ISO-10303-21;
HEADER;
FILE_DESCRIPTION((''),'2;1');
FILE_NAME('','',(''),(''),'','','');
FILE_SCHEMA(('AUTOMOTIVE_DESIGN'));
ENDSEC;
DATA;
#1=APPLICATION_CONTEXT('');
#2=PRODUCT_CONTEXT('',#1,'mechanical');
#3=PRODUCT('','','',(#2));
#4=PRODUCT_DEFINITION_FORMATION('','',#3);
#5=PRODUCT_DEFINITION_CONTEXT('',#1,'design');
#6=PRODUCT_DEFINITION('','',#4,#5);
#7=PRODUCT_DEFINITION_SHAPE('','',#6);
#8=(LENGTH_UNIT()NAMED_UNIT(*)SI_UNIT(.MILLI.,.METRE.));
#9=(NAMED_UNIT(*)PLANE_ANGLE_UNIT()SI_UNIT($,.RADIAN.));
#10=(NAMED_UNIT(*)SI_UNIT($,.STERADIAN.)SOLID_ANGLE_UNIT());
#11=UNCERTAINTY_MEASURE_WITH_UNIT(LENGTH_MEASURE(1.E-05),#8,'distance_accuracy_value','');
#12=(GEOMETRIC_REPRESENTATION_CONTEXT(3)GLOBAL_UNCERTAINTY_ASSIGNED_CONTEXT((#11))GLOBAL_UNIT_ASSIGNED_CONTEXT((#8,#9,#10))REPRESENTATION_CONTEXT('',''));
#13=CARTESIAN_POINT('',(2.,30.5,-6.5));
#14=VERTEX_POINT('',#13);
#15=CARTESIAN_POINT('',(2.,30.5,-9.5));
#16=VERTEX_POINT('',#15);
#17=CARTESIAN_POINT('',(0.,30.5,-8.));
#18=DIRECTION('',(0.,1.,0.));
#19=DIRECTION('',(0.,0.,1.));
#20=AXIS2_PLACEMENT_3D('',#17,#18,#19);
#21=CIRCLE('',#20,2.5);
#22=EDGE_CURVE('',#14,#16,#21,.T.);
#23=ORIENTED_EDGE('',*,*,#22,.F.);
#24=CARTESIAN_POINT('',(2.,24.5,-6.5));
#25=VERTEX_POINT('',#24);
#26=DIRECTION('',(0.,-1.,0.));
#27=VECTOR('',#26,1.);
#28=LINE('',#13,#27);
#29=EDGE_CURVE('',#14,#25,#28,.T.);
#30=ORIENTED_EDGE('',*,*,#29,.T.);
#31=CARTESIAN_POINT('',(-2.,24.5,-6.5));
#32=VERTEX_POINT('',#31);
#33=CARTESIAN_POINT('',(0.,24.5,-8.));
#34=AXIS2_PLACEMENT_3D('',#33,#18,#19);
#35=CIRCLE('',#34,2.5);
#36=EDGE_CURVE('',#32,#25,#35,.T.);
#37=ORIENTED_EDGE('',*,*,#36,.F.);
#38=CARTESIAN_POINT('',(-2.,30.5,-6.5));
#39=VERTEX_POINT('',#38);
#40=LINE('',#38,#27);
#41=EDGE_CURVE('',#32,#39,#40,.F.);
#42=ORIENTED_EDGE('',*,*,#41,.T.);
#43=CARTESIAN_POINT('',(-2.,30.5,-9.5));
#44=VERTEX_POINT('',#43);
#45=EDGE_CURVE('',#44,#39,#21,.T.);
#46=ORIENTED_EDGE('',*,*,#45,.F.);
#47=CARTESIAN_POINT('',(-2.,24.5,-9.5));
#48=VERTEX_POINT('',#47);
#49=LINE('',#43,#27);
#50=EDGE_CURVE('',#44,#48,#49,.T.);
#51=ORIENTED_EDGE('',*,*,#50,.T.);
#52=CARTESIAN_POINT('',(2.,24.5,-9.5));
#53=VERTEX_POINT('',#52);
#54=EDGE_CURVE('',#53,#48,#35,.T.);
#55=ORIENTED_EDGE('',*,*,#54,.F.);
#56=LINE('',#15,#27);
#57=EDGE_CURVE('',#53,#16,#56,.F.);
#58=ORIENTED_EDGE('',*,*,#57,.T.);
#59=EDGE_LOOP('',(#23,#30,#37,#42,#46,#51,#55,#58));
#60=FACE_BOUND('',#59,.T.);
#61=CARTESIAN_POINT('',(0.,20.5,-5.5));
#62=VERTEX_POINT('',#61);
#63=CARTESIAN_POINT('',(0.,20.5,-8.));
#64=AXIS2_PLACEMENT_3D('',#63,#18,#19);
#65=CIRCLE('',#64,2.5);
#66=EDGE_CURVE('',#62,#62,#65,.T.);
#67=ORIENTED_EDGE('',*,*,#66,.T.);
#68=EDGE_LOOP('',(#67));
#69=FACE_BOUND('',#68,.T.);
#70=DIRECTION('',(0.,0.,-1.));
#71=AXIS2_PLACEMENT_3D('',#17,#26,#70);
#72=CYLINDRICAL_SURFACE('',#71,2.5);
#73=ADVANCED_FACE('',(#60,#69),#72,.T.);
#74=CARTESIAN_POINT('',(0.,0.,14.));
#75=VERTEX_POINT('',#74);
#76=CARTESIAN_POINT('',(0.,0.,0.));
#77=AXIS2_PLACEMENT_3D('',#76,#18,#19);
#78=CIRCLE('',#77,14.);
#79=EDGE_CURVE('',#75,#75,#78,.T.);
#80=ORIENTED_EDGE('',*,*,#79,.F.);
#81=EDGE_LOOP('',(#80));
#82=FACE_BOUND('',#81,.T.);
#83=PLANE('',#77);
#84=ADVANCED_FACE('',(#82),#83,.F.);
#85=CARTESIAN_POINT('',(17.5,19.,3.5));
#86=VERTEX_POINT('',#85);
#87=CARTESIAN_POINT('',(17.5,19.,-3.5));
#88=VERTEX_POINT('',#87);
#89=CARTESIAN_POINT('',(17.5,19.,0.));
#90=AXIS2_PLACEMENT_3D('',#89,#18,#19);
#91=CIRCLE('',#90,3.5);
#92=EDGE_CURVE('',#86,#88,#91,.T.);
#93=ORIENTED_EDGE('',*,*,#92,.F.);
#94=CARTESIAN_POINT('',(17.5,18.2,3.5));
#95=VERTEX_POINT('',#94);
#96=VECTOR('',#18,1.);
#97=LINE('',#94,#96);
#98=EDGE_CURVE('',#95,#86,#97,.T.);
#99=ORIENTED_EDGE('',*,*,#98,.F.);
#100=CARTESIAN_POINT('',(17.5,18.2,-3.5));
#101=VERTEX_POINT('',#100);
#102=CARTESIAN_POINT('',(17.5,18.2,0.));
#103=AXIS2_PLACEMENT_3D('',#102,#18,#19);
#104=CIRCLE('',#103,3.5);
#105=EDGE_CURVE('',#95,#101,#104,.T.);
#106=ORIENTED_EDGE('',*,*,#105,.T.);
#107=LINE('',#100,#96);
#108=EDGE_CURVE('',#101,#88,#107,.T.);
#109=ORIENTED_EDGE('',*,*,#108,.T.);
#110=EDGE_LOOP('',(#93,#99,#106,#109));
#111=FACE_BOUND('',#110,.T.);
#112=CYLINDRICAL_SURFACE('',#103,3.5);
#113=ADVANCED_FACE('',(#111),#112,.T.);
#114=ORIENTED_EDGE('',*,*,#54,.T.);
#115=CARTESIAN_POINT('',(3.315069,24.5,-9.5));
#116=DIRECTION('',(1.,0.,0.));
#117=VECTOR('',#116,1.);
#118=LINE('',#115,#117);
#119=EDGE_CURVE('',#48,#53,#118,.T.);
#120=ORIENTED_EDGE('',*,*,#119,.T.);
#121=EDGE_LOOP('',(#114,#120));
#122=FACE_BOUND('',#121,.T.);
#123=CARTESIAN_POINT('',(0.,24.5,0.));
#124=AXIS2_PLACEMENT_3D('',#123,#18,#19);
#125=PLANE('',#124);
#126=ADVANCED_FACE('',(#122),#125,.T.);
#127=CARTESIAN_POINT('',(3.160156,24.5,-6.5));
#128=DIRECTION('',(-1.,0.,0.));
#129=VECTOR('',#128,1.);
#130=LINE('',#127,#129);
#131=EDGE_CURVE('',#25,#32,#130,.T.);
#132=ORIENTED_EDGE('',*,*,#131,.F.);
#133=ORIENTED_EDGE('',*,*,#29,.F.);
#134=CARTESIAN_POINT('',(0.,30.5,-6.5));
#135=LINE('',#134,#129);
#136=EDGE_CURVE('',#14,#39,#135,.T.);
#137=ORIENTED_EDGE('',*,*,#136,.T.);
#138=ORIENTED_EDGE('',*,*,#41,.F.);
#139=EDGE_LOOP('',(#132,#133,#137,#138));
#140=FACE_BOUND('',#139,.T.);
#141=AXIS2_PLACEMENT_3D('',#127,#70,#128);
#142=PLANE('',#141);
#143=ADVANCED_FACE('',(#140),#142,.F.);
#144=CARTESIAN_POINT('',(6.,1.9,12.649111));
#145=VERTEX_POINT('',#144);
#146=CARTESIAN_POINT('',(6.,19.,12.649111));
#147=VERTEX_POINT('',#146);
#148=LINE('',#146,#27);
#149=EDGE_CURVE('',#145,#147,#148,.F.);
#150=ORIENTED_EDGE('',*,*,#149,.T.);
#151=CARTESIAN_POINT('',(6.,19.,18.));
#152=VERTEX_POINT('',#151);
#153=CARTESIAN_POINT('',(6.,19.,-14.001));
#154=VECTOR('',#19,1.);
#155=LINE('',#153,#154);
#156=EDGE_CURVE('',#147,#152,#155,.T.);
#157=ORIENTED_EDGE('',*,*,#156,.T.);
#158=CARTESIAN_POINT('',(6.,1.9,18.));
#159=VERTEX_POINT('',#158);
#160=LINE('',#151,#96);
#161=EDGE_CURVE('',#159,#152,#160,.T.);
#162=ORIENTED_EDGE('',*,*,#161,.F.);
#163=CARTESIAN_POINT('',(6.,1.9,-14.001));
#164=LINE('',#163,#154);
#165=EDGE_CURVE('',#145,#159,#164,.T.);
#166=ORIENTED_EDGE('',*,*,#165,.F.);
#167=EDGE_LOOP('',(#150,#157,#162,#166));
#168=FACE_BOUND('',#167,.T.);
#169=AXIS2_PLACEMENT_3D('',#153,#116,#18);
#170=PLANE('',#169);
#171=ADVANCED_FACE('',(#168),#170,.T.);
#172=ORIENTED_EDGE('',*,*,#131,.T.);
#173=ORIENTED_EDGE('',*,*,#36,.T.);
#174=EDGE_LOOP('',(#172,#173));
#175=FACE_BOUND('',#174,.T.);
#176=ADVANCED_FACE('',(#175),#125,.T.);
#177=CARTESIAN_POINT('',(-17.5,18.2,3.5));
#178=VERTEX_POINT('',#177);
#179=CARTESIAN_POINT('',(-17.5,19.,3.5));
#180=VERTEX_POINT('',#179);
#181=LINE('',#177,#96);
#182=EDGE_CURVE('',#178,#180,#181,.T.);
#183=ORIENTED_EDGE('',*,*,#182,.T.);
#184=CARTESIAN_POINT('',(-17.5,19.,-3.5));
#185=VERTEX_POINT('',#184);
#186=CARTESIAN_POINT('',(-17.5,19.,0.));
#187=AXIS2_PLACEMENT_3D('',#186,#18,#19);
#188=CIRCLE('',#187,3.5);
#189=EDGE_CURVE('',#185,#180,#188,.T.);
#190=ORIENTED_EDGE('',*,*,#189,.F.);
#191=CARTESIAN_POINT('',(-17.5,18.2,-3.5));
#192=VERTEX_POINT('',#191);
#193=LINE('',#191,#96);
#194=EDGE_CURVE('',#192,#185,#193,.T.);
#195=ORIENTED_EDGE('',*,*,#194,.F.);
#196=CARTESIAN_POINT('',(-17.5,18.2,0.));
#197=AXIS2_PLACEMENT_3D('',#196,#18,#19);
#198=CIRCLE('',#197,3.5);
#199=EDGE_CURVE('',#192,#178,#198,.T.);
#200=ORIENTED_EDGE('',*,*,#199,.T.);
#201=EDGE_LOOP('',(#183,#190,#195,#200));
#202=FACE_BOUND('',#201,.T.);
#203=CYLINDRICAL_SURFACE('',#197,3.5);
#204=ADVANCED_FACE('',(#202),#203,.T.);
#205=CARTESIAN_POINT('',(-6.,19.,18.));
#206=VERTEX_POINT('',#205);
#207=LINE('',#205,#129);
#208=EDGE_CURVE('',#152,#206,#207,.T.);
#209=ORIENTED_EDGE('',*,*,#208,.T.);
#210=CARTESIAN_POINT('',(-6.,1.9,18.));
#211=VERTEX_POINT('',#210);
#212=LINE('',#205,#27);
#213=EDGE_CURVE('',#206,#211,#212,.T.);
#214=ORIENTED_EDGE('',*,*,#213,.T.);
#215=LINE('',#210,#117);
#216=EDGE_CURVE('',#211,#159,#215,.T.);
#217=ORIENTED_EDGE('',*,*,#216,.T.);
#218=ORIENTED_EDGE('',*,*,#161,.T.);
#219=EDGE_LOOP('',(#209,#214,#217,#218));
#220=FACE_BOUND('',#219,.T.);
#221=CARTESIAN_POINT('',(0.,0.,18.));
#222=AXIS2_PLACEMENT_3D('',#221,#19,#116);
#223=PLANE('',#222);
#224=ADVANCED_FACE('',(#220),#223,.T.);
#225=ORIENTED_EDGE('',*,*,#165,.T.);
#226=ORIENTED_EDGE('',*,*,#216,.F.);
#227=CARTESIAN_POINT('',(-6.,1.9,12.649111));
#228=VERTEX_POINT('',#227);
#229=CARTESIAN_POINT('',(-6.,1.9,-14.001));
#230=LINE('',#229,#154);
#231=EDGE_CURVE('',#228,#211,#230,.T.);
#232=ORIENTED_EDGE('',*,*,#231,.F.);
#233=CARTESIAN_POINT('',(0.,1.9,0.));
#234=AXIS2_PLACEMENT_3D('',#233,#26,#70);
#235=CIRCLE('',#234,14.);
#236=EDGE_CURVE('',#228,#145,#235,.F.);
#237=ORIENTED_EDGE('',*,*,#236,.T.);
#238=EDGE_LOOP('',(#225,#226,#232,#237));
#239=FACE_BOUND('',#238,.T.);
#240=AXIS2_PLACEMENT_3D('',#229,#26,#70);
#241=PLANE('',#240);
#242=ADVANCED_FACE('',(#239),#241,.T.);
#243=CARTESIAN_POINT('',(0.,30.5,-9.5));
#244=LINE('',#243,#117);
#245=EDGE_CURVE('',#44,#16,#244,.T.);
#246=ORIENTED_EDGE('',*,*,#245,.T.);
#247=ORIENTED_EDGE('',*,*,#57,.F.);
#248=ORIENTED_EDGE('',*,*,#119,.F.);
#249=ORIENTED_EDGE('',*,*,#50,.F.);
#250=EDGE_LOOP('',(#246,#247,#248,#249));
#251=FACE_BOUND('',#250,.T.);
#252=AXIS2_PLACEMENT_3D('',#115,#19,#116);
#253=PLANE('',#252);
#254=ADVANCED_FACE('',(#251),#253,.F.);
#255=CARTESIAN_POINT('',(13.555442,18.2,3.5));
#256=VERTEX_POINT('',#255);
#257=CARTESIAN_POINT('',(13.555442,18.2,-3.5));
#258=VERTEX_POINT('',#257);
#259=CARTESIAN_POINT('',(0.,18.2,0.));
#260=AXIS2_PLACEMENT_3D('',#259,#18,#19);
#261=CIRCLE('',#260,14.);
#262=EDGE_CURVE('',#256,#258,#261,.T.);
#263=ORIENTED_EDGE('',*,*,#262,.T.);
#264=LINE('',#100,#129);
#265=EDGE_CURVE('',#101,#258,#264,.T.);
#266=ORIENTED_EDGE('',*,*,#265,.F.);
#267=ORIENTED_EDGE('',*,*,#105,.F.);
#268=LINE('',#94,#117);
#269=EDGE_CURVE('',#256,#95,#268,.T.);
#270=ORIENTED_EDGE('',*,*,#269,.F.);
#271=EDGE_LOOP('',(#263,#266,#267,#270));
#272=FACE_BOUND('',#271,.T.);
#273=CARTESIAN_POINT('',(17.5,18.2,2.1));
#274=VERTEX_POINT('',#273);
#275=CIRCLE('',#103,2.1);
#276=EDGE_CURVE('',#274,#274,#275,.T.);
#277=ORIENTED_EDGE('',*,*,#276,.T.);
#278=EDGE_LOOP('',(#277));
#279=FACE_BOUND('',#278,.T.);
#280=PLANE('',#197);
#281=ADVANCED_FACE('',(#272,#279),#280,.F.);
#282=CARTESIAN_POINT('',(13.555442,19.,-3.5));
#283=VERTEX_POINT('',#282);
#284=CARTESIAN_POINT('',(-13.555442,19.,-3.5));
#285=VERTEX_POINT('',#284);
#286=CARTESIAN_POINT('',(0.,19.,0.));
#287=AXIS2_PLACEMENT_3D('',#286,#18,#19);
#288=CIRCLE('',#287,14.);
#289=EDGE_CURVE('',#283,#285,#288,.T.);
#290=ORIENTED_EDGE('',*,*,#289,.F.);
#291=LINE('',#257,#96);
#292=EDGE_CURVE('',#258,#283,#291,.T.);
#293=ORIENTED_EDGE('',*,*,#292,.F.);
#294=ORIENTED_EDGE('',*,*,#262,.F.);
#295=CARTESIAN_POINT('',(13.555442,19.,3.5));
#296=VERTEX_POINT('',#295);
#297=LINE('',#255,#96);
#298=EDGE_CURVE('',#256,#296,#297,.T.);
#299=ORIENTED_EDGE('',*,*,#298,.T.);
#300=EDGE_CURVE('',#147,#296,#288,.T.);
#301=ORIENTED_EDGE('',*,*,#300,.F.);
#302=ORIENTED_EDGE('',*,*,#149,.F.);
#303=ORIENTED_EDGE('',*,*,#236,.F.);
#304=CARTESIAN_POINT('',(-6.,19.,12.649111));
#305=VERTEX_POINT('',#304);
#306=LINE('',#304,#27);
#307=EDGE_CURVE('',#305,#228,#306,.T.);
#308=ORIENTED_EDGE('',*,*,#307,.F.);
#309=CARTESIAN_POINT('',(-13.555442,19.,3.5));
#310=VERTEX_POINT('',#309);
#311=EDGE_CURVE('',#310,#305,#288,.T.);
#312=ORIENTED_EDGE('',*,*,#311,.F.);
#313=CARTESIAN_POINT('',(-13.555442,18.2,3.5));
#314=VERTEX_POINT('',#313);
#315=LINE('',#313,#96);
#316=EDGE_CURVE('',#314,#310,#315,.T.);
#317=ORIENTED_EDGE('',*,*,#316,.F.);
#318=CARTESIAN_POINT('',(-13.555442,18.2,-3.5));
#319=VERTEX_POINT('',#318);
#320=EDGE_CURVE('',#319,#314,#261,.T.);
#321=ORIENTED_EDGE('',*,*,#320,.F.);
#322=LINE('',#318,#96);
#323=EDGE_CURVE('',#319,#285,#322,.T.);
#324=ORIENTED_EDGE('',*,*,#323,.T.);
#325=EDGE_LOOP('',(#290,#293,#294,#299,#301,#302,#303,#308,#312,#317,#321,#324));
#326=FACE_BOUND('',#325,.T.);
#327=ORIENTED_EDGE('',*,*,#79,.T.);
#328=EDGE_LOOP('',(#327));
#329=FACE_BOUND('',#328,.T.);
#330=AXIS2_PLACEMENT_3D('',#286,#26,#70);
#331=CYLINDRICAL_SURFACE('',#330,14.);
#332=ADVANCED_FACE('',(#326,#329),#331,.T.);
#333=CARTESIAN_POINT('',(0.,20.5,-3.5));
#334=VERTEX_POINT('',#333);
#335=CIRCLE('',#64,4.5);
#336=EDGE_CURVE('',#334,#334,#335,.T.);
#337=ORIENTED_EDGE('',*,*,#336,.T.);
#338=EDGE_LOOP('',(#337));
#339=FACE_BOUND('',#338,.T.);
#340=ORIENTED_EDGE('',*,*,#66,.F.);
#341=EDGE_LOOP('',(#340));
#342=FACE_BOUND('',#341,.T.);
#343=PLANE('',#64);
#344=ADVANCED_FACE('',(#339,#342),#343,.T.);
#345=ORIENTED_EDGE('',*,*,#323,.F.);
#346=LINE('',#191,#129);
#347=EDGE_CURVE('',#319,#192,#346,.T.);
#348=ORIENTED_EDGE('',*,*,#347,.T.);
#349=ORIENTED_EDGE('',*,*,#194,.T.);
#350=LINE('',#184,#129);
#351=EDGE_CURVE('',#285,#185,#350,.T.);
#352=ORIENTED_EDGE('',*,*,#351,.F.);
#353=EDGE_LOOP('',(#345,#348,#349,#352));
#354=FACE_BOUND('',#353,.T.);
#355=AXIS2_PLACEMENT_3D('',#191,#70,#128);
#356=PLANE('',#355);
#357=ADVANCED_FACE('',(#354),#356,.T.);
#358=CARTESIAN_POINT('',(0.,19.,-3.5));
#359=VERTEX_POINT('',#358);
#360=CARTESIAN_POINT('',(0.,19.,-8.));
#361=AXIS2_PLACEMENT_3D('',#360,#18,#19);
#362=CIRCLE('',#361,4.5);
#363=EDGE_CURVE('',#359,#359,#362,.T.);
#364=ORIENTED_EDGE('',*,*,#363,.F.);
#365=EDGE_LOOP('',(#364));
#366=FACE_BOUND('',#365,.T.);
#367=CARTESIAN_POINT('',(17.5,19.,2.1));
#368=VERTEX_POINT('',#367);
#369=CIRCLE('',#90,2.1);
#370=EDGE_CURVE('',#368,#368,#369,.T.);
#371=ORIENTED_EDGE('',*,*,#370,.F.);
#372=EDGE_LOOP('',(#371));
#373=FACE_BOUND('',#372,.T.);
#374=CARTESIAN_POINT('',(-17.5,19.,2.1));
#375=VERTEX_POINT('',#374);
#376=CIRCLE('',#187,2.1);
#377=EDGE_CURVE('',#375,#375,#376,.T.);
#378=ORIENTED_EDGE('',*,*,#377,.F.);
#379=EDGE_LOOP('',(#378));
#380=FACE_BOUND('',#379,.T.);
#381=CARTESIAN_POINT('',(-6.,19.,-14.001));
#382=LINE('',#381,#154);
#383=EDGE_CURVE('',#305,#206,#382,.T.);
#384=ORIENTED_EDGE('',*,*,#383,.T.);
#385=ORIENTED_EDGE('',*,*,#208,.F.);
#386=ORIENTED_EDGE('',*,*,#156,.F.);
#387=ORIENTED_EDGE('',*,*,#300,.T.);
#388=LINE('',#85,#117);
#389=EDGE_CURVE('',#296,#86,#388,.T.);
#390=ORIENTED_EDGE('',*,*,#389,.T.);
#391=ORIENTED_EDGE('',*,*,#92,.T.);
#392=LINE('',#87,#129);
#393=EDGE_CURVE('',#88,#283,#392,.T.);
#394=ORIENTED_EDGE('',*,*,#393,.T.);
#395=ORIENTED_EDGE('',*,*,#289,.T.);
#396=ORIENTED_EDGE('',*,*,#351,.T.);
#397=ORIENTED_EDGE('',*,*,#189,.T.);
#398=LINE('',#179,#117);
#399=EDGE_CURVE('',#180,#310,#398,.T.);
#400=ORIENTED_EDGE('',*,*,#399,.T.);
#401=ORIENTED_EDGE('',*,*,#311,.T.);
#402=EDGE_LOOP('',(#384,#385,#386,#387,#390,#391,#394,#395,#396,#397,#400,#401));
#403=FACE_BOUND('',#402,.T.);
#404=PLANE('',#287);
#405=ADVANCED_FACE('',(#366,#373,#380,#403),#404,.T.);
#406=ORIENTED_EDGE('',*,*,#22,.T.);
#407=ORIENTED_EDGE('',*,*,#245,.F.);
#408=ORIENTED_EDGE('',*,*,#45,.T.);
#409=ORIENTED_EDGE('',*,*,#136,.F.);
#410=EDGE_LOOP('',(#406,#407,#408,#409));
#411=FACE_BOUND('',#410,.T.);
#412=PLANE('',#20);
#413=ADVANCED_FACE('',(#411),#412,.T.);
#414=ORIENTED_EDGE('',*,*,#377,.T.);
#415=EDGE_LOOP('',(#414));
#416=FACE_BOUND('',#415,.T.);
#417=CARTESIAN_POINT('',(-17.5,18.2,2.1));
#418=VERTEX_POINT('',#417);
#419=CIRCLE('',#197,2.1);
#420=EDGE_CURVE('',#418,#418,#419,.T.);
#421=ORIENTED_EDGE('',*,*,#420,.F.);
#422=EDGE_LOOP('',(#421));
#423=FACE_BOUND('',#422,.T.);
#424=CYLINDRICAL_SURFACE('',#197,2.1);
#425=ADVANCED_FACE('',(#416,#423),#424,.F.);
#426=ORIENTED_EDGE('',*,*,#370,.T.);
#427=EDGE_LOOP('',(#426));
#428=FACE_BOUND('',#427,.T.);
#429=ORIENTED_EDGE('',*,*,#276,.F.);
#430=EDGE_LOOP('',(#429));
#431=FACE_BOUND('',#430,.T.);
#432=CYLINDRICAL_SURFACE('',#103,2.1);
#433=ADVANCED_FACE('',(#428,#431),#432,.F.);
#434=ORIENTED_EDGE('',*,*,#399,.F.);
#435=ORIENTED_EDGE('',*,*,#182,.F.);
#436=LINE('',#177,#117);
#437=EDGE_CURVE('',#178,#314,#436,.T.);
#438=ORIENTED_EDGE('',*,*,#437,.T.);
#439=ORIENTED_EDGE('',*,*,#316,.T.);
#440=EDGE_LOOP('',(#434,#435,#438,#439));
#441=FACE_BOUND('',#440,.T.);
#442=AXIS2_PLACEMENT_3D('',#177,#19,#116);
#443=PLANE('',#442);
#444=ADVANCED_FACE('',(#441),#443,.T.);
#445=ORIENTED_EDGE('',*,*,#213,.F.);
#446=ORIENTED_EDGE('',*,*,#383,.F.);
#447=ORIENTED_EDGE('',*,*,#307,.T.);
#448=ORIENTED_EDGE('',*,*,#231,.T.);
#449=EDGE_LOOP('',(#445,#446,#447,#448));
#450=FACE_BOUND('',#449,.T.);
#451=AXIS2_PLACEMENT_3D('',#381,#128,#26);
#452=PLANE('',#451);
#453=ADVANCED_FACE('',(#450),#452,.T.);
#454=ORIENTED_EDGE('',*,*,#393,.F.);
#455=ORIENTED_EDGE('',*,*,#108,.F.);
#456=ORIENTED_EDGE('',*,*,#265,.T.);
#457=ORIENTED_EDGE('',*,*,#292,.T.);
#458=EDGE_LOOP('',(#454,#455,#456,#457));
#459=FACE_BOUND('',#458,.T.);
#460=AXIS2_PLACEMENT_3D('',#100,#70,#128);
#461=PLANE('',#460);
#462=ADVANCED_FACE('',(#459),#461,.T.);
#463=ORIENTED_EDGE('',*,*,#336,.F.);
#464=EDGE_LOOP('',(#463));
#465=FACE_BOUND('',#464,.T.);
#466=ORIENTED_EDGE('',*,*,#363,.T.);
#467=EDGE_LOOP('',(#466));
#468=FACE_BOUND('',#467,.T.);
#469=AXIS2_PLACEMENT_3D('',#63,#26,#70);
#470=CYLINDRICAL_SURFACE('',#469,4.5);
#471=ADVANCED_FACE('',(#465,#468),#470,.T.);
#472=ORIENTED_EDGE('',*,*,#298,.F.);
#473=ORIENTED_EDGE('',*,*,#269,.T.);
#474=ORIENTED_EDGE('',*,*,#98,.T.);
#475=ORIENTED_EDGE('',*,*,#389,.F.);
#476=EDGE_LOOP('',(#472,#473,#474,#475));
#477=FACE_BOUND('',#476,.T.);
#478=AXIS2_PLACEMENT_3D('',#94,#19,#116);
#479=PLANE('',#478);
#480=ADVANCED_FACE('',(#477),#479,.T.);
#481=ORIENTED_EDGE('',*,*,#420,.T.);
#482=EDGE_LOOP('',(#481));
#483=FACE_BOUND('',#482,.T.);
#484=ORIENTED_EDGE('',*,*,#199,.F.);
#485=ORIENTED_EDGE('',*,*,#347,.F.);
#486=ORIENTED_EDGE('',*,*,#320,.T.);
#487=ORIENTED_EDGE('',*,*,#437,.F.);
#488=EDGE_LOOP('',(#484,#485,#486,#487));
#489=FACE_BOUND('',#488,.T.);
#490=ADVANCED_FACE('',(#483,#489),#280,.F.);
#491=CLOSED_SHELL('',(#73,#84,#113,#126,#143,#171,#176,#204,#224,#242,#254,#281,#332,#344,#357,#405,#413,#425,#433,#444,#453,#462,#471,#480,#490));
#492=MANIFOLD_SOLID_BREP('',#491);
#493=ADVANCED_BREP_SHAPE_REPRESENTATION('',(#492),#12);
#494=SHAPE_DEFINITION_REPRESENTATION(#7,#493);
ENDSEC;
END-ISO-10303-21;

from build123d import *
from build123d.topology import SkipClean

# Parameters (mm, degrees)
CROQUIS1_R                   = 14
SALIENTE_EXTRUIR1_DEPTH      = 19
SALIENTE_EXTRUIR2_START      = -0.8
CROQUIS2_R                   = 2.1
SALIENTE_EXTRUIR2_DEPTH      = 0.8
SALIENTE_EXTRUIR3_REACH      = 51.591
SALIENTE_EXTRUIR3_END_RADIUS = 14
SALIENTE_EXTRUIR3_START      = 18
CROQUIS3_W                   = 12
CROQUIS3_H                   = 17.1
CROQUIS4_R                   = 4.5
SALIENTE_EXTRUIR4_DEPTH      = 1.5
CROQUIS5_R                   = 2.5
SALIENTE_EXTRUIR5_DEPTH      = 10
CROQUIS7_W                   = 6.557991655
CROQUIS7_H                   = 1.368399833
CROQUIS7_W_2                 = 6.403078466
CROQUIS7_H_2                 = 1.988052588
CORTAR_EXTRUIR1_DEPTH        = 6


with BuildPart() as part:
    # Croquis1 → Saliente-Extruir1 (new body)
    with BuildSketch(Plane(origin=(0, 0, 0), x_dir=(1, 0, 0), z_dir=(0, 1, 0))):
        Circle(CROQUIS1_R)
    extrude(amount=SALIENTE_EXTRUIR1_DEPTH)

    # Croquis2 → Saliente-Extruir2 (add)
    with SkipClean():  # the faces are left unmerged after this step: merging them gives an invalid solid
        with BuildSketch(Plane(origin=(0, 19, 0), x_dir=(1, 0, 0), z_dir=(0, 1, 0)).offset(SALIENTE_EXTRUIR2_START)):
            with BuildLine():
                Line((-17.5, 3.5), (-13.555441712, 3.5))
                ThreePointArc((-13.555441712, 3.5), (0, 14), (13.555441712, 3.5))
                Line((13.555441712, 3.5), (17.5, 3.5))
                ThreePointArc((17.5, 3.5), (21, 0), (17.5, -3.5))
                Line((17.5, -3.5), (13.555441712, -3.5))
                ThreePointArc((13.555441712, -3.5), (0, -14), (-13.555441712, -3.5))
                Line((-13.555441712, -3.5), (-17.5, -3.5))
                ThreePointArc((-17.5, -3.5), (-21, 0), (-17.5, 3.5))
            make_face()
            with Locations((-17.5, 0)):
                Circle(CROQUIS2_R, mode=Mode.SUBTRACT)
            with Locations((17.5, 0)):
                Circle(CROQUIS2_R, mode=Mode.SUBTRACT)
        extrude(amount=SALIENTE_EXTRUIR2_DEPTH)

    # Saliente-Extruir3: up to this cylinder (the profile starts outside it)
    with SkipClean():  # the faces are left unmerged after this step: merging them gives an invalid solid
        saliente_extruir3_end = Plane(origin=(0, 10.45, 0), z_dir=(0, -1, 0)) * Cylinder(SALIENTE_EXTRUIR3_END_RADIUS, 132.182, mode=Mode.PRIVATE)
        # Croquis3 → Saliente-Extruir3 (add, up to the surface)
        with BuildSketch(Plane.XY.offset(SALIENTE_EXTRUIR3_START), mode=Mode.PRIVATE) as saliente_extruir3_sk1:
            with Locations((0, 10.45)):
                Rectangle(CROQUIS3_W, CROQUIS3_H)
        saliente_extruir3_tool1 = extrude(saliente_extruir3_sk1.sketch, amount=-SALIENTE_EXTRUIR3_REACH, mode=Mode.PRIVATE) - saliente_extruir3_end
        add(saliente_extruir3_tool1.solids().sort_by_distance((0, 10.45, 18))[0])

    # Croquis4 → Saliente-Extruir4 (add)
    with SkipClean():  # the faces are left unmerged after this step: merging them gives an invalid solid
        with BuildSketch(Plane(origin=(0, 19, 0), x_dir=(1, 0, 0), z_dir=(0, 1, 0))):
            with Locations((0, 8)):
                Circle(CROQUIS4_R)
        extrude(amount=SALIENTE_EXTRUIR4_DEPTH)

    # Croquis5 → Saliente-Extruir5 (add)
    with SkipClean():  # the faces are left unmerged after this step: merging them gives an invalid solid
        with BuildSketch(Plane(origin=(0, 20.5, 0), x_dir=(1, 0, 0), z_dir=(0, 1, 0))):
            with Locations((0, 8)):
                Circle(CROQUIS5_R)
        extrude(amount=SALIENTE_EXTRUIR5_DEPTH)

    # Croquis7 → Cortar-Extruir1 (cut)
    with SkipClean():  # the faces are left unmerged after this step: merging them gives an invalid solid
        with BuildSketch(Plane(origin=(0, 30.5, 0), x_dir=(1, 0, 0), z_dir=(0, 1, 0))):
            with Locations((0.036072912, 10.184199917)):
                Rectangle(CROQUIS7_W, CROQUIS7_H)
            with Locations((-0.041383682, 5.505973706)):
                Rectangle(CROQUIS7_W_2, CROQUIS7_H_2)
        extrude(amount=-CORTAR_EXTRUIR1_DEPTH, mode=Mode.SUBTRACT)


solid = part.part
